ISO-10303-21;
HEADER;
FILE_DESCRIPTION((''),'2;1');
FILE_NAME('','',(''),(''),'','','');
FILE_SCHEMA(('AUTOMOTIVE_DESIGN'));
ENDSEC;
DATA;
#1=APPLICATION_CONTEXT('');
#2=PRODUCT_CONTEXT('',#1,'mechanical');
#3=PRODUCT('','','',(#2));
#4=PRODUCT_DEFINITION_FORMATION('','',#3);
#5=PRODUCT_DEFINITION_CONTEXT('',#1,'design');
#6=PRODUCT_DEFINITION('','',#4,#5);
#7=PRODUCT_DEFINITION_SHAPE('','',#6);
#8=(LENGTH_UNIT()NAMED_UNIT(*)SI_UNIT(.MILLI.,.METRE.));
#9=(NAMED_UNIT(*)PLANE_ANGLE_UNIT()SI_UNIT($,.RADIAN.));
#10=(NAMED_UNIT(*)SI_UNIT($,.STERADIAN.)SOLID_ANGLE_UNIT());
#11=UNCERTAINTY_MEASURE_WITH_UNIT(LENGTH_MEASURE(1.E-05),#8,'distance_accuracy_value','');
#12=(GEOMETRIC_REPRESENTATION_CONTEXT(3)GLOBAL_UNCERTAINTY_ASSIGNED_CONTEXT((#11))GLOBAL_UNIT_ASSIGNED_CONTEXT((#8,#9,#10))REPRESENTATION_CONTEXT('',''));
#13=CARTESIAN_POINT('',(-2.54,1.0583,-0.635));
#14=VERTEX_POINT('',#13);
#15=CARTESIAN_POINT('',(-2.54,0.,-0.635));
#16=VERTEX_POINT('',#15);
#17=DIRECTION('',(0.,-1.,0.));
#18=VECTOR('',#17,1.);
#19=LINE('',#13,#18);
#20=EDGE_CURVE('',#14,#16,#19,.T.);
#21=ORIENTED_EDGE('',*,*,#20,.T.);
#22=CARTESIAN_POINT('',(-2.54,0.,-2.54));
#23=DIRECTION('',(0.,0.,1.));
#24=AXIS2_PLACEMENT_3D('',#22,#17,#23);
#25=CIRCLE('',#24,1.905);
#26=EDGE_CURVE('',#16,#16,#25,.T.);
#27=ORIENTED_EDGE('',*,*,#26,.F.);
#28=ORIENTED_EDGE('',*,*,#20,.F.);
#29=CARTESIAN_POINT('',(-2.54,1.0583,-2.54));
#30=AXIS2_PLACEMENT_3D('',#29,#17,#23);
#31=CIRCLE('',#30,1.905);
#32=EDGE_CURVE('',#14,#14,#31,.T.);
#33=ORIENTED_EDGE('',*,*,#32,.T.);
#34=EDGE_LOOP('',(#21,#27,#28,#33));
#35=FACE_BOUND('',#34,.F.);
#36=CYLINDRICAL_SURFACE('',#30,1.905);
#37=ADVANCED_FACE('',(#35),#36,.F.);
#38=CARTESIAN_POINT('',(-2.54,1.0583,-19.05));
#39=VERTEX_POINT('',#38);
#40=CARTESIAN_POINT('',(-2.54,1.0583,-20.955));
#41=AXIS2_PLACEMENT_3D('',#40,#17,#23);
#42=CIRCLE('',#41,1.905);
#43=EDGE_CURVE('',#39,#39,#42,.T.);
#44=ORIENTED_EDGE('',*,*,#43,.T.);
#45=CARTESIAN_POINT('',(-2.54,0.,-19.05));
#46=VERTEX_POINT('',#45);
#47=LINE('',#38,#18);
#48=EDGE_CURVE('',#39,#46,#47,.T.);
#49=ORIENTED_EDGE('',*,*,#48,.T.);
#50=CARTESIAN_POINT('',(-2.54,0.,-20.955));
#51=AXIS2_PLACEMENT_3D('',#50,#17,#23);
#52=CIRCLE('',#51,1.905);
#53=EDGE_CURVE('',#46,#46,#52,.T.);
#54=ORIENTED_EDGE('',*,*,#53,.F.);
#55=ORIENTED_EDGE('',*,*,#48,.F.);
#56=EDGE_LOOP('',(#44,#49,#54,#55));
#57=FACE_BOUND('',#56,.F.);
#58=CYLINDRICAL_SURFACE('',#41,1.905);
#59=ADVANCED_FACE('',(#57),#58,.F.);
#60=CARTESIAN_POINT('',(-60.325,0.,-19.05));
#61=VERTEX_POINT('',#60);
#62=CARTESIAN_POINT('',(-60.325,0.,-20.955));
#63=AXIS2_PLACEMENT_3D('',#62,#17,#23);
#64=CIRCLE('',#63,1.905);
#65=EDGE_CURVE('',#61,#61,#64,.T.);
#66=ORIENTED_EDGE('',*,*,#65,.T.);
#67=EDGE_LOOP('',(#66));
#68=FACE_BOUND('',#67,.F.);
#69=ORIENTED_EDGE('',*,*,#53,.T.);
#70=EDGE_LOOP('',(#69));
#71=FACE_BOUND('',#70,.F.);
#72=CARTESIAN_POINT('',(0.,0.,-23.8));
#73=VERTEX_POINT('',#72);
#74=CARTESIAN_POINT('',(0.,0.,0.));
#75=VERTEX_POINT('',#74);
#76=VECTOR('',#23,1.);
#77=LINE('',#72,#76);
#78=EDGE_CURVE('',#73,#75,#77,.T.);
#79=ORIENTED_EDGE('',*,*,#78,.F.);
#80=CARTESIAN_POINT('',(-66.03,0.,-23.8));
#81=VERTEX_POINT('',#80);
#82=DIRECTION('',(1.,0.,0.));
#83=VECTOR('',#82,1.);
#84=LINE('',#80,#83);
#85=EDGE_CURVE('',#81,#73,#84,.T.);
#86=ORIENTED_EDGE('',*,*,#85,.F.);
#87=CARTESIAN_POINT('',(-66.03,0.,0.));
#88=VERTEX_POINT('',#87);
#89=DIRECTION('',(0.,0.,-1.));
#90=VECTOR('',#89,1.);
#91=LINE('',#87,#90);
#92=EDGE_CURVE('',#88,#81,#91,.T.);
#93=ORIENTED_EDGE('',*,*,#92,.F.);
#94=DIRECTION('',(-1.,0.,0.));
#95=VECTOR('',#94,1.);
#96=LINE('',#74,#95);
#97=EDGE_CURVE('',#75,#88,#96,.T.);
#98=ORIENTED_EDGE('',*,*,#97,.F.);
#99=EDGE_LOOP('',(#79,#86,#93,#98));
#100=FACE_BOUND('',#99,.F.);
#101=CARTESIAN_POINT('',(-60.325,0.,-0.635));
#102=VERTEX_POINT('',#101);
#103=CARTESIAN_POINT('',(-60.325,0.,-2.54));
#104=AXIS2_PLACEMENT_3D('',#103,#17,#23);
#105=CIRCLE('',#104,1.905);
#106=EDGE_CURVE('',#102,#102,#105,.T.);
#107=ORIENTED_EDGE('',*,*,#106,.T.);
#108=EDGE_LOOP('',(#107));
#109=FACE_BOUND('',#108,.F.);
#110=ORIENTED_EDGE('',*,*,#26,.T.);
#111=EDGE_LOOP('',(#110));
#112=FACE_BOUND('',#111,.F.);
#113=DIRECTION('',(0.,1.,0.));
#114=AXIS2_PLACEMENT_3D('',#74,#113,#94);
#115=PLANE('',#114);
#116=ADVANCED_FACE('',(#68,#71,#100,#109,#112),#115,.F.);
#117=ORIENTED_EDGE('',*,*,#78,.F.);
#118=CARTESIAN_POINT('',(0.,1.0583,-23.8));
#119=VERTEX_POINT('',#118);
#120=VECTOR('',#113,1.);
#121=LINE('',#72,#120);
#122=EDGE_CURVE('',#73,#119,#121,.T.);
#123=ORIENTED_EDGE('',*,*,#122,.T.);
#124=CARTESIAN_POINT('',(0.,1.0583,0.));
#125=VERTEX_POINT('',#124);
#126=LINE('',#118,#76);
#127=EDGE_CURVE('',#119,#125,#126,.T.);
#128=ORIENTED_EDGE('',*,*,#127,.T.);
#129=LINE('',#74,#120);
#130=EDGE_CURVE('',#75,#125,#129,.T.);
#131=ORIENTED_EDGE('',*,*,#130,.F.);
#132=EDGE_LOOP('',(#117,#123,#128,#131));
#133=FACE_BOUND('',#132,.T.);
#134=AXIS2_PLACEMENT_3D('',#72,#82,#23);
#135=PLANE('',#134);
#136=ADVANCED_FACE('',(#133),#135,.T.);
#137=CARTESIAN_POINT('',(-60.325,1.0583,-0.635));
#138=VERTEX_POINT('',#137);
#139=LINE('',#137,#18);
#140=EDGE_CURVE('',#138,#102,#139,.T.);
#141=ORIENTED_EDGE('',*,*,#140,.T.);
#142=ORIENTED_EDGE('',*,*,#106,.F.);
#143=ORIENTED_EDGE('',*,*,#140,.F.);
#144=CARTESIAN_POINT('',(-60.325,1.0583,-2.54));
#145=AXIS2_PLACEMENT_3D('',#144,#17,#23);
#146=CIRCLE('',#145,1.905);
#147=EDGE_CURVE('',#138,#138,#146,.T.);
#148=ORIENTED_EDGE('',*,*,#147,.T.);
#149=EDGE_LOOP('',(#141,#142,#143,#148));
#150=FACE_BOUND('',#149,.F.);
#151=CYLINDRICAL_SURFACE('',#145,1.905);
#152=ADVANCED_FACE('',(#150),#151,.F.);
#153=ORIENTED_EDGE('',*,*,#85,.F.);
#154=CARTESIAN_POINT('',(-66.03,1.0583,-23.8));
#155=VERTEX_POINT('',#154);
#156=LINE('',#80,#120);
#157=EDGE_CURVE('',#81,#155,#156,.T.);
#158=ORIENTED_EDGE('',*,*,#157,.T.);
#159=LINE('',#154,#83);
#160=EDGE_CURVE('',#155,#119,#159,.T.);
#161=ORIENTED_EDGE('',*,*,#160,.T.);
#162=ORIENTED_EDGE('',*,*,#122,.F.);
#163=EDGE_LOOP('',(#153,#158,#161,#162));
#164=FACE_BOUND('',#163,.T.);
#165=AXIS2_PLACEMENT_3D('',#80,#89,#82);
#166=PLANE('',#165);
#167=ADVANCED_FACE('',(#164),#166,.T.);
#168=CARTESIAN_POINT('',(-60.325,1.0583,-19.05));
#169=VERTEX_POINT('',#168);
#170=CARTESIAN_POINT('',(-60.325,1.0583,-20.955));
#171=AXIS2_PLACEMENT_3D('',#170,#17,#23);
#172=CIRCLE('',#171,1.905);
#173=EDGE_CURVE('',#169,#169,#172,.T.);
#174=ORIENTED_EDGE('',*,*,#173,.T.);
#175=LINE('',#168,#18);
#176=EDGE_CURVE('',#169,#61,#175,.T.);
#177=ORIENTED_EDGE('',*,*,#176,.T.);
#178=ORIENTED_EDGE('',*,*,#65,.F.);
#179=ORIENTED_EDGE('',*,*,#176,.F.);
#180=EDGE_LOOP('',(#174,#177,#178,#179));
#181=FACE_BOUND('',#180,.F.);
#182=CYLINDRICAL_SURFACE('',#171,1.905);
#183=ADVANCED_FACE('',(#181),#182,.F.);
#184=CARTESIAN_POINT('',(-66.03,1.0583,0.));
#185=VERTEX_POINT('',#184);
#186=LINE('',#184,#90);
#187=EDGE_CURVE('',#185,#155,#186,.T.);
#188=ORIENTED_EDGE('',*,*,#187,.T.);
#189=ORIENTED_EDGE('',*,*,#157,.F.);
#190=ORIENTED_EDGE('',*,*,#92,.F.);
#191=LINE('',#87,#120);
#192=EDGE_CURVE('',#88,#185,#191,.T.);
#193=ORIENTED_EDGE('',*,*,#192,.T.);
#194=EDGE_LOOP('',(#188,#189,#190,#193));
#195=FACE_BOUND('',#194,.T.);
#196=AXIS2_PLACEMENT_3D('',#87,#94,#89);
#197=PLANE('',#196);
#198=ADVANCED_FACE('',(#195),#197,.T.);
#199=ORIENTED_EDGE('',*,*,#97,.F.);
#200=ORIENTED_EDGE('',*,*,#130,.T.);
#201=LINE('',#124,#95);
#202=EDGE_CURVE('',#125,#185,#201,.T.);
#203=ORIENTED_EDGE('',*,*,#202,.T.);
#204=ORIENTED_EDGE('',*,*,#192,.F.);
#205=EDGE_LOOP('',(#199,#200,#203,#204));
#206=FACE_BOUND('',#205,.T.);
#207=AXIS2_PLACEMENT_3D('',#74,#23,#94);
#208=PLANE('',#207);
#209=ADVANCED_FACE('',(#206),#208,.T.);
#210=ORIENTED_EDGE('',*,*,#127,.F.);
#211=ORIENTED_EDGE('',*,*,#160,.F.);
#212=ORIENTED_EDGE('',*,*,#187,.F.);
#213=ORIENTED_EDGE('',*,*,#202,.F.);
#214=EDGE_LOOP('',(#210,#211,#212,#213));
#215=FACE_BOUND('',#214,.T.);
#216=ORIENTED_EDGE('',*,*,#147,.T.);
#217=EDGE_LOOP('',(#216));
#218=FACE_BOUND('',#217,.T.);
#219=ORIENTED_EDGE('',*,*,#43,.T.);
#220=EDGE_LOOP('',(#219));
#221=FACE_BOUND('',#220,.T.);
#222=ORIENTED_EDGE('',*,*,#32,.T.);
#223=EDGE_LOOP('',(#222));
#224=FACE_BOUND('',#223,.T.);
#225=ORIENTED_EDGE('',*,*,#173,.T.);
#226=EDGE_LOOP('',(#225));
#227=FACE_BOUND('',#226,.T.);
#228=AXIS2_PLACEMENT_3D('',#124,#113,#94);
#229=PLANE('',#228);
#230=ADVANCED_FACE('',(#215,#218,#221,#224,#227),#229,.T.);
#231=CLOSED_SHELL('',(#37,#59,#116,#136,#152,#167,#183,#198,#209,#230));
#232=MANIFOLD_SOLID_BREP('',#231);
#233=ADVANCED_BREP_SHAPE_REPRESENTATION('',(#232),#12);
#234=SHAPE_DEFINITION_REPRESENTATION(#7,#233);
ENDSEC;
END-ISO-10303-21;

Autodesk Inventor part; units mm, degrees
ref_plane "YZ Plane" through (0, 0, 0) normal (1, 0, 0) x (0, 1, 0)
ref_plane "XZ Plane" through (0, 0, 0) normal (0, 1, 0) x (-1, 0, 0)
ref_plane "XY Plane" through (0, 0, 0) normal (0, 0, 1) x (1, 0, 0)
sketch "Sketch1" plane through (0, 0, 0) normal (0, 1, 0) x (-1, 0, 0)
  line L0 (0, 0) -> (66.03, 0)
  line L1 (66.03, 0) -> (66.03, -23.8)
  line L2 (66.03, -23.8) -> (0, -23.8)
  line L3 (0, -23.8) -> (0, 0)
  dimension "d0" = 66.03
  dimension "d1" = 23.8
extrude "Extrusion1" add sketch "Sketch1" along normal blind 1.0583
sketch "Sketch2" plane through (0, 1.0583, 0) normal (0, 1, 0) x (1, 0, 0)
  line L0 (0, 0) -> (0, 23.8) projected
  line L1 (-66.03, 0) -> (0, 0) projected
  point P0 (-60.325, 2.54)
  point P1 (-2.54, 2.54)
  point P2 (-2.54, 20.955)
  point P3 (-60.325, 20.955)
  dimension "d4" = 60.325
  dimension "d5" = 60.325
  dimension "d6" = 2.54
  dimension "d7" = 2.54
  dimension "d8" = 2.54
  dimension "d9" = 2.54
  dimension "d10" = 20.955
  dimension "d11" = 20.955
hole "Hole1" at (-60.325, 1.0583, -2.54) at (-2.54, 1.0583, -2.54) at (-2.54, 1.0583, -20.955) at (-60.325, 1.0583, -20.955) direction (0, -1, 0) diameter 3.81 end through all
equation "\"d5\" = d4"
equation "\"d7\" = d6"
equation "\"d8\" = d7"
equation "\"d9\" = d8"
equation "\"d11\" = d10"
properties part number "PCB"
